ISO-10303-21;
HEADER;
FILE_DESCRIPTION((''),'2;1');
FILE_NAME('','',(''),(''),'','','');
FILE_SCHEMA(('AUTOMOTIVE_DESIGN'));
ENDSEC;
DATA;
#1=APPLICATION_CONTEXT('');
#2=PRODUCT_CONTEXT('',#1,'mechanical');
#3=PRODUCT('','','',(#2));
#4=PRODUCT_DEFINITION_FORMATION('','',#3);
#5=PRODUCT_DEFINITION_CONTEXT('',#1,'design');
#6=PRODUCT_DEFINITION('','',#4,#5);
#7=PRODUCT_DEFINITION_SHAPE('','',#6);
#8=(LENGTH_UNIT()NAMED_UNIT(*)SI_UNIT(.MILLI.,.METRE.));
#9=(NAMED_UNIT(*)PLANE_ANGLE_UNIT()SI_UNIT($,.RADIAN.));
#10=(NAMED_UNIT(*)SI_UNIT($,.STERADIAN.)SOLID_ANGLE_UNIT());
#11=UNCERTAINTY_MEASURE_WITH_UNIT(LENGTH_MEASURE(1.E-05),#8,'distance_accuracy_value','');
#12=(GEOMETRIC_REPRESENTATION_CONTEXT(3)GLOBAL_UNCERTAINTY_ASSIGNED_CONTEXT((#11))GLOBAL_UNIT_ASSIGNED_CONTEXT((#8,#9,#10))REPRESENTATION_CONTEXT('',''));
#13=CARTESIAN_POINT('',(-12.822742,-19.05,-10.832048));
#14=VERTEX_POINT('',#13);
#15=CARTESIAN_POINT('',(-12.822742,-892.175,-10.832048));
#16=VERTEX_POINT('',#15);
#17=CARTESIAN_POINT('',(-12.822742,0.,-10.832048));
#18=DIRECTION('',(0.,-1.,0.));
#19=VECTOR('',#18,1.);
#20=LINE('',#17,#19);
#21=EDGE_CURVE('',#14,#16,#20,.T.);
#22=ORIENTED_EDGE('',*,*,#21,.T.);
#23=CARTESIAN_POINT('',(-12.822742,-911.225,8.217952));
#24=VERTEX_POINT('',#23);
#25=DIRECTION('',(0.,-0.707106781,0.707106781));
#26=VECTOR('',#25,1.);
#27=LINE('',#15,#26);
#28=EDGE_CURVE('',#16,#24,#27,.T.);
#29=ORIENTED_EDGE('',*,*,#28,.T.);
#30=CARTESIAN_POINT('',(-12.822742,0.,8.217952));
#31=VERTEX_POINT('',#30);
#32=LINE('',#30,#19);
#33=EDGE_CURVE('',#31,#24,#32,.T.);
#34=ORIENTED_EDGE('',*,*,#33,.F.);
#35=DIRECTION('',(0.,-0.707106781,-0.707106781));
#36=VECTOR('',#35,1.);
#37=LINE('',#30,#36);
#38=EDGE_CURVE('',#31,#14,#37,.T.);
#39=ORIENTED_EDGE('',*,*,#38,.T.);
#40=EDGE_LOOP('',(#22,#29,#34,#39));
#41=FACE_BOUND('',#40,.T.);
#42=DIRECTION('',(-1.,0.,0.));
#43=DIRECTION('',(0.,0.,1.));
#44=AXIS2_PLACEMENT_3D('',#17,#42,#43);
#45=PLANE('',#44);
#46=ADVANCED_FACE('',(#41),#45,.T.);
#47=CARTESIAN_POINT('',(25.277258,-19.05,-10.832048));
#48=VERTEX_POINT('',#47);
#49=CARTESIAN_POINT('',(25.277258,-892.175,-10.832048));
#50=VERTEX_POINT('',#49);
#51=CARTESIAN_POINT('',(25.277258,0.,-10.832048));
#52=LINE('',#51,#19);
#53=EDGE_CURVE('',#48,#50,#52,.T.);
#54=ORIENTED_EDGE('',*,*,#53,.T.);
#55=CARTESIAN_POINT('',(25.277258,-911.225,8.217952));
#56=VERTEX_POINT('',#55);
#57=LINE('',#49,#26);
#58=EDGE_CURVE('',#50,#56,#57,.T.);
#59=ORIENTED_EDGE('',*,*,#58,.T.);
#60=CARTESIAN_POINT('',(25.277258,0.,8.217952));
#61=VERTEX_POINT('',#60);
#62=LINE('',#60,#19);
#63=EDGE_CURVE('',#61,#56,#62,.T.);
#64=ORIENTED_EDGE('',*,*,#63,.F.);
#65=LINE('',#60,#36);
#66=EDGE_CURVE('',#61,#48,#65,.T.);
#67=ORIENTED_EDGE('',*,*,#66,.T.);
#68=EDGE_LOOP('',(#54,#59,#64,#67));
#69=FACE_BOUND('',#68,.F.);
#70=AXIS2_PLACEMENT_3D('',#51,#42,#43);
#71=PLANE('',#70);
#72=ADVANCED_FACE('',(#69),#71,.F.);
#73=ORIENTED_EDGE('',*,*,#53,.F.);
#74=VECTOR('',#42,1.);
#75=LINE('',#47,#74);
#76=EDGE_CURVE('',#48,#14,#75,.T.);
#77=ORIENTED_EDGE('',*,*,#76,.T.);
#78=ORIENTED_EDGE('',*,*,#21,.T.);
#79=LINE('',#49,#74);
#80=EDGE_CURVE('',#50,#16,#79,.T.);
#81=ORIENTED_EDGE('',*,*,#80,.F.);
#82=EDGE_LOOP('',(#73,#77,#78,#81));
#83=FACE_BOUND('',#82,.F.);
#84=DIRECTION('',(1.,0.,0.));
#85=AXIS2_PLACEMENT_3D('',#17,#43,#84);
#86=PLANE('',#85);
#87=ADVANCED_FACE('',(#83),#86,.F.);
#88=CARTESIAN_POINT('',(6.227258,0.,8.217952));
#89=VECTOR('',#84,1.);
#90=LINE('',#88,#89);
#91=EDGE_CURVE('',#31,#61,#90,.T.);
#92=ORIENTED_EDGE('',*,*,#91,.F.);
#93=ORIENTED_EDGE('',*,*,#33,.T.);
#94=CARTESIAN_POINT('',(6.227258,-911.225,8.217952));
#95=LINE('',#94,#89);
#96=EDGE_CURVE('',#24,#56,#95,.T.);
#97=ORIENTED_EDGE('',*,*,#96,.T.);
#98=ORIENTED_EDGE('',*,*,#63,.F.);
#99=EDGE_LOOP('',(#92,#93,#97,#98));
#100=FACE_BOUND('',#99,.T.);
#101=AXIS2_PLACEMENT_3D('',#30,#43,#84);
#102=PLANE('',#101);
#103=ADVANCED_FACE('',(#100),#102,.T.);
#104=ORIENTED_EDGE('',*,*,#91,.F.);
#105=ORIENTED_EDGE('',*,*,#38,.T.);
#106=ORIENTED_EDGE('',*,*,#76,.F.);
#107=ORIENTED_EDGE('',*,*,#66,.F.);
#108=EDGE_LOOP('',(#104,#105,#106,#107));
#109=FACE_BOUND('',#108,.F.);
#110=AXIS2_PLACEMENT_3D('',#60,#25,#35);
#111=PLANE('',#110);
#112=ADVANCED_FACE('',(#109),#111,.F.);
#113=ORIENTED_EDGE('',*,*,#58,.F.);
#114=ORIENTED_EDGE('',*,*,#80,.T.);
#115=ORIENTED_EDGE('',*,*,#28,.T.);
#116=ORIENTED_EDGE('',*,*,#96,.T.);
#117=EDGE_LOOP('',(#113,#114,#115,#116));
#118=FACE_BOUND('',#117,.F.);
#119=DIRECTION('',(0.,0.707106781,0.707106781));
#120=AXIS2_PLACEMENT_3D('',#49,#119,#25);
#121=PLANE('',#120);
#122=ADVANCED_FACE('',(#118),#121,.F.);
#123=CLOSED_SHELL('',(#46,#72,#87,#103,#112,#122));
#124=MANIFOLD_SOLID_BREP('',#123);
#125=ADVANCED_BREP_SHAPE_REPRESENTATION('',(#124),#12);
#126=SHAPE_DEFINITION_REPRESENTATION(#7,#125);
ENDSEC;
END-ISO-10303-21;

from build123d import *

# Parameters (mm, degrees)
F0_W     = 38.1
F0_H     = 19.05
F1_DEPTH = 911.225
F3_DEPTH = 38.1


with BuildPart() as f1:
    # F0 (on Front) → F1 (new body)
    with BuildSketch(Plane.XZ):
        with Locations((6.227258, -1.307048)):
            Rectangle(F0_W, F0_H)
    extrude(amount=F1_DEPTH)

    # F2 (on face) → F3 (cut)
    with BuildSketch(Plane.YZ.offset(25.277258)):
        Polygon((-892.175, -10.832048), (-911.225, 8.217952), (-911.225, -10.832048), align=None)
        Polygon((0, -10.832048), (0, 8.217952), (-19.05, -10.832048), align=None)
    extrude(amount=-F3_DEPTH, mode=Mode.SUBTRACT)


solid = f1.part
